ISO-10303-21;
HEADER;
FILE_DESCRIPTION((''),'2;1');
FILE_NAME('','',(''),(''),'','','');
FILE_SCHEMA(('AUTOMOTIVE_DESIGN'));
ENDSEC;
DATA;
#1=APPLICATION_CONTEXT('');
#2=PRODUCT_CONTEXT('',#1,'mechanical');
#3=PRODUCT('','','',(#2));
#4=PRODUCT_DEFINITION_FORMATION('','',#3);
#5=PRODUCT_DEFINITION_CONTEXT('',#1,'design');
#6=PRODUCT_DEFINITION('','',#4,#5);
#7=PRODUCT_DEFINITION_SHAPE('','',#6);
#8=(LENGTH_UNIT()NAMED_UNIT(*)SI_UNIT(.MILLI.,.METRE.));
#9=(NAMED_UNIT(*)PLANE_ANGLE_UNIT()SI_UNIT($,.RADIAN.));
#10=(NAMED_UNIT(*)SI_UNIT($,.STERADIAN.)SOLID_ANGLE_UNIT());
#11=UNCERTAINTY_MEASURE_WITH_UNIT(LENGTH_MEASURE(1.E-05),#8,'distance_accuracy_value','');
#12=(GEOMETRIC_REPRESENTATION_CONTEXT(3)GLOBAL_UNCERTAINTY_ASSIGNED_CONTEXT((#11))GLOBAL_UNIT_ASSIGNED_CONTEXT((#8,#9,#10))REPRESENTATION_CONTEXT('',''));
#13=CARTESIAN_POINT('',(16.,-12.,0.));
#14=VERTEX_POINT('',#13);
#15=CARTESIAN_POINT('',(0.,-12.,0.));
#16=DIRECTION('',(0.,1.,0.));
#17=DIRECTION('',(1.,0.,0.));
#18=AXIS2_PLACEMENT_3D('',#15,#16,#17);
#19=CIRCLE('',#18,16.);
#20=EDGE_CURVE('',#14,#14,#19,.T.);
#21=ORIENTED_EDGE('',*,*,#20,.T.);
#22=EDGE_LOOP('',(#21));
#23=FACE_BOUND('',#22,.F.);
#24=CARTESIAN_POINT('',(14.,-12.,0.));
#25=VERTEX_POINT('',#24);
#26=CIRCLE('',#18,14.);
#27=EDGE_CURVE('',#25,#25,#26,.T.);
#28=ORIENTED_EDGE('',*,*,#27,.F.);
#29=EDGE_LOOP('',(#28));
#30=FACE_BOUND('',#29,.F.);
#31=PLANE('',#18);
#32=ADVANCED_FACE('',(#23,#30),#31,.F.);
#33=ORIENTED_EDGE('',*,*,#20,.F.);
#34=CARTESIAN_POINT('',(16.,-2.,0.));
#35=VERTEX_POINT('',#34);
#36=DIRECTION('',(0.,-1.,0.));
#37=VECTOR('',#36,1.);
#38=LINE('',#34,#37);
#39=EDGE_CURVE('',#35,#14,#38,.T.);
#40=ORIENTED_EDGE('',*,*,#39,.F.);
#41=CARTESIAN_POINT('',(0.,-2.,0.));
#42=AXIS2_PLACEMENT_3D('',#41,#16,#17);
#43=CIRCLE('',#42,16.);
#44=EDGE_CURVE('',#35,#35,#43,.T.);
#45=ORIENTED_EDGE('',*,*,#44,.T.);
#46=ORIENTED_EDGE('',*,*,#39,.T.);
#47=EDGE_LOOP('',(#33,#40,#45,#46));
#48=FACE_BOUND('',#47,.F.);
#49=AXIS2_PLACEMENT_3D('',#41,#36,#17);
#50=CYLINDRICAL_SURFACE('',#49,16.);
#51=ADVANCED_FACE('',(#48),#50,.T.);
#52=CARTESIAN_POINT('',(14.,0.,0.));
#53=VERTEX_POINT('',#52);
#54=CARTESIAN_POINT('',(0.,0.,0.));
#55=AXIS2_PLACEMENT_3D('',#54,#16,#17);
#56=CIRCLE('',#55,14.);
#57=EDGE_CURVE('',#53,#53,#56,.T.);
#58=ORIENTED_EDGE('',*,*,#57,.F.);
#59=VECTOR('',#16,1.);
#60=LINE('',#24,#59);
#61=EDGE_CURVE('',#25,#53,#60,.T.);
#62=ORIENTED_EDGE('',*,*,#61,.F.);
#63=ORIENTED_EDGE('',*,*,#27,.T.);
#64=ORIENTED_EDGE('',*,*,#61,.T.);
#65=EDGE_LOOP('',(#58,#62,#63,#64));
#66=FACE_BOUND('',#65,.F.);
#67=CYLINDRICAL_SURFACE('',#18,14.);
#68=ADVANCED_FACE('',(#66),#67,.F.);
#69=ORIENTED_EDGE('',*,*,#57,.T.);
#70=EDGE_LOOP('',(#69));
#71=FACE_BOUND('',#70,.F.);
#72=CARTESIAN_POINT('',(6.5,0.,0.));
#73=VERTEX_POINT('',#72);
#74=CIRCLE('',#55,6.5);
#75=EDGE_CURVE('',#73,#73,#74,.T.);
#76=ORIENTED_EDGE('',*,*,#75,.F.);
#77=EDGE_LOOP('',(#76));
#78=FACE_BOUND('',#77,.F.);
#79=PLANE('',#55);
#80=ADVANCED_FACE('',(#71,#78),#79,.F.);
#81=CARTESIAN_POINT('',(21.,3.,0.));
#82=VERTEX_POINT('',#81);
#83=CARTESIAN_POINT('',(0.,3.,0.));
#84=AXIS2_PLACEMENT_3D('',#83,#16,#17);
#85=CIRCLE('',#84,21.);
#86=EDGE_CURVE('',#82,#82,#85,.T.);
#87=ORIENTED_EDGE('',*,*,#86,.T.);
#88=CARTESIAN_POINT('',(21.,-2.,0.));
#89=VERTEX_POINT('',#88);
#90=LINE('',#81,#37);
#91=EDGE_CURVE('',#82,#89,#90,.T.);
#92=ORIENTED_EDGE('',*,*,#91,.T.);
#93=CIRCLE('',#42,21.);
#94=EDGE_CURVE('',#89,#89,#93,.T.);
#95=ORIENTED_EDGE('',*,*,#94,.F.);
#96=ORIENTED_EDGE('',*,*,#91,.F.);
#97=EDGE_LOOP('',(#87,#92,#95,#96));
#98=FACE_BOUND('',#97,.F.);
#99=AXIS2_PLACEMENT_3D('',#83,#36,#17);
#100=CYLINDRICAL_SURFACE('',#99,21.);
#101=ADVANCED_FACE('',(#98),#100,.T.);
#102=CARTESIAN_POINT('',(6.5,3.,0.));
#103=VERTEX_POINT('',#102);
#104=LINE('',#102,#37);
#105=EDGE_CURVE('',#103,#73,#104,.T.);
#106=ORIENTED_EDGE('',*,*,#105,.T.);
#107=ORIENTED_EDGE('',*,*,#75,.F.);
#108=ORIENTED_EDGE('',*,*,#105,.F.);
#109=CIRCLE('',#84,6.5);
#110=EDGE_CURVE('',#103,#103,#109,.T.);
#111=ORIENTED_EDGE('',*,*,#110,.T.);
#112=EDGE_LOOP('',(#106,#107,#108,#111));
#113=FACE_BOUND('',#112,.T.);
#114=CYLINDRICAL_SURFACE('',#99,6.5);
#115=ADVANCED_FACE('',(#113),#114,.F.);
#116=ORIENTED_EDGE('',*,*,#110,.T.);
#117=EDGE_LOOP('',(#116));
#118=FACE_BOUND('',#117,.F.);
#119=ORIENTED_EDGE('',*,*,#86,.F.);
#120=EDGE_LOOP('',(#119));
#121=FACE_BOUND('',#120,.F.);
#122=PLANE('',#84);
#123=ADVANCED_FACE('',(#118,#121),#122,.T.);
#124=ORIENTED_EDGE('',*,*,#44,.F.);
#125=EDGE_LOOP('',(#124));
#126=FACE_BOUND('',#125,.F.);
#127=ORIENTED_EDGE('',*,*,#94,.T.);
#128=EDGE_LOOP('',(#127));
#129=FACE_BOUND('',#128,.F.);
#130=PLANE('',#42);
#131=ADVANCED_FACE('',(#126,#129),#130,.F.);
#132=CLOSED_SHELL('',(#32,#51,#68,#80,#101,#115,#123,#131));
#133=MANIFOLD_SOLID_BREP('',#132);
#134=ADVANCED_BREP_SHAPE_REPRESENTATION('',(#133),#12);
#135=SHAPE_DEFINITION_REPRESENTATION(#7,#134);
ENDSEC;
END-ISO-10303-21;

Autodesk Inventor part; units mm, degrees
ref_plane "YZ Plane" through (0, 0, 0) normal (1, 0, 0) x (0, 1, 0)
ref_plane "XZ Plane" through (0, 0, 0) normal (0, 1, 0) x (-1, 0, 0)
ref_plane "XY Plane" through (0, 0, 0) normal (0, 0, 1) x (1, 0, 0)
sketch "Sketch1" plane through (0, 0, 0) normal (0, 0, 1) x (1, 0, 0)
  line L0 (0, 0) -> (0, 13.3519) construction
  line L1 (14, -12) -> (14, 0)
  line L2 (14, 0) -> (6.5, 0)
  line L3 (6.5, 3) -> (21, 3)
  line L4 (21, 3) -> (21, -2)
  line L5 (21, -2) -> (16, -2)
  line L6 (16, -2) -> (16, -12)
  line L7 (16, -12) -> (14, -12)
  line L8 (6.5, 3) -> (6.5, 0)
  line L9 (0, 0) -> (6.5, 0) construction
  dimension "d0" = 28
  dimension "d1" = 12
  dimension "d2" = 10
  dimension "d3" = 32
  dimension "d4" = 5
  dimension "d5" = 42
  dimension "d9" = 13
revolve "Revolution1" add sketch "Sketch1" angle 360 about axis through (0, 0, 0) along (0, 1, 0)
thread "Thread1" size "M32x2" class "6g" standard "ANSI Metric M Profile" full length
properties part number "LagerDeckel"
